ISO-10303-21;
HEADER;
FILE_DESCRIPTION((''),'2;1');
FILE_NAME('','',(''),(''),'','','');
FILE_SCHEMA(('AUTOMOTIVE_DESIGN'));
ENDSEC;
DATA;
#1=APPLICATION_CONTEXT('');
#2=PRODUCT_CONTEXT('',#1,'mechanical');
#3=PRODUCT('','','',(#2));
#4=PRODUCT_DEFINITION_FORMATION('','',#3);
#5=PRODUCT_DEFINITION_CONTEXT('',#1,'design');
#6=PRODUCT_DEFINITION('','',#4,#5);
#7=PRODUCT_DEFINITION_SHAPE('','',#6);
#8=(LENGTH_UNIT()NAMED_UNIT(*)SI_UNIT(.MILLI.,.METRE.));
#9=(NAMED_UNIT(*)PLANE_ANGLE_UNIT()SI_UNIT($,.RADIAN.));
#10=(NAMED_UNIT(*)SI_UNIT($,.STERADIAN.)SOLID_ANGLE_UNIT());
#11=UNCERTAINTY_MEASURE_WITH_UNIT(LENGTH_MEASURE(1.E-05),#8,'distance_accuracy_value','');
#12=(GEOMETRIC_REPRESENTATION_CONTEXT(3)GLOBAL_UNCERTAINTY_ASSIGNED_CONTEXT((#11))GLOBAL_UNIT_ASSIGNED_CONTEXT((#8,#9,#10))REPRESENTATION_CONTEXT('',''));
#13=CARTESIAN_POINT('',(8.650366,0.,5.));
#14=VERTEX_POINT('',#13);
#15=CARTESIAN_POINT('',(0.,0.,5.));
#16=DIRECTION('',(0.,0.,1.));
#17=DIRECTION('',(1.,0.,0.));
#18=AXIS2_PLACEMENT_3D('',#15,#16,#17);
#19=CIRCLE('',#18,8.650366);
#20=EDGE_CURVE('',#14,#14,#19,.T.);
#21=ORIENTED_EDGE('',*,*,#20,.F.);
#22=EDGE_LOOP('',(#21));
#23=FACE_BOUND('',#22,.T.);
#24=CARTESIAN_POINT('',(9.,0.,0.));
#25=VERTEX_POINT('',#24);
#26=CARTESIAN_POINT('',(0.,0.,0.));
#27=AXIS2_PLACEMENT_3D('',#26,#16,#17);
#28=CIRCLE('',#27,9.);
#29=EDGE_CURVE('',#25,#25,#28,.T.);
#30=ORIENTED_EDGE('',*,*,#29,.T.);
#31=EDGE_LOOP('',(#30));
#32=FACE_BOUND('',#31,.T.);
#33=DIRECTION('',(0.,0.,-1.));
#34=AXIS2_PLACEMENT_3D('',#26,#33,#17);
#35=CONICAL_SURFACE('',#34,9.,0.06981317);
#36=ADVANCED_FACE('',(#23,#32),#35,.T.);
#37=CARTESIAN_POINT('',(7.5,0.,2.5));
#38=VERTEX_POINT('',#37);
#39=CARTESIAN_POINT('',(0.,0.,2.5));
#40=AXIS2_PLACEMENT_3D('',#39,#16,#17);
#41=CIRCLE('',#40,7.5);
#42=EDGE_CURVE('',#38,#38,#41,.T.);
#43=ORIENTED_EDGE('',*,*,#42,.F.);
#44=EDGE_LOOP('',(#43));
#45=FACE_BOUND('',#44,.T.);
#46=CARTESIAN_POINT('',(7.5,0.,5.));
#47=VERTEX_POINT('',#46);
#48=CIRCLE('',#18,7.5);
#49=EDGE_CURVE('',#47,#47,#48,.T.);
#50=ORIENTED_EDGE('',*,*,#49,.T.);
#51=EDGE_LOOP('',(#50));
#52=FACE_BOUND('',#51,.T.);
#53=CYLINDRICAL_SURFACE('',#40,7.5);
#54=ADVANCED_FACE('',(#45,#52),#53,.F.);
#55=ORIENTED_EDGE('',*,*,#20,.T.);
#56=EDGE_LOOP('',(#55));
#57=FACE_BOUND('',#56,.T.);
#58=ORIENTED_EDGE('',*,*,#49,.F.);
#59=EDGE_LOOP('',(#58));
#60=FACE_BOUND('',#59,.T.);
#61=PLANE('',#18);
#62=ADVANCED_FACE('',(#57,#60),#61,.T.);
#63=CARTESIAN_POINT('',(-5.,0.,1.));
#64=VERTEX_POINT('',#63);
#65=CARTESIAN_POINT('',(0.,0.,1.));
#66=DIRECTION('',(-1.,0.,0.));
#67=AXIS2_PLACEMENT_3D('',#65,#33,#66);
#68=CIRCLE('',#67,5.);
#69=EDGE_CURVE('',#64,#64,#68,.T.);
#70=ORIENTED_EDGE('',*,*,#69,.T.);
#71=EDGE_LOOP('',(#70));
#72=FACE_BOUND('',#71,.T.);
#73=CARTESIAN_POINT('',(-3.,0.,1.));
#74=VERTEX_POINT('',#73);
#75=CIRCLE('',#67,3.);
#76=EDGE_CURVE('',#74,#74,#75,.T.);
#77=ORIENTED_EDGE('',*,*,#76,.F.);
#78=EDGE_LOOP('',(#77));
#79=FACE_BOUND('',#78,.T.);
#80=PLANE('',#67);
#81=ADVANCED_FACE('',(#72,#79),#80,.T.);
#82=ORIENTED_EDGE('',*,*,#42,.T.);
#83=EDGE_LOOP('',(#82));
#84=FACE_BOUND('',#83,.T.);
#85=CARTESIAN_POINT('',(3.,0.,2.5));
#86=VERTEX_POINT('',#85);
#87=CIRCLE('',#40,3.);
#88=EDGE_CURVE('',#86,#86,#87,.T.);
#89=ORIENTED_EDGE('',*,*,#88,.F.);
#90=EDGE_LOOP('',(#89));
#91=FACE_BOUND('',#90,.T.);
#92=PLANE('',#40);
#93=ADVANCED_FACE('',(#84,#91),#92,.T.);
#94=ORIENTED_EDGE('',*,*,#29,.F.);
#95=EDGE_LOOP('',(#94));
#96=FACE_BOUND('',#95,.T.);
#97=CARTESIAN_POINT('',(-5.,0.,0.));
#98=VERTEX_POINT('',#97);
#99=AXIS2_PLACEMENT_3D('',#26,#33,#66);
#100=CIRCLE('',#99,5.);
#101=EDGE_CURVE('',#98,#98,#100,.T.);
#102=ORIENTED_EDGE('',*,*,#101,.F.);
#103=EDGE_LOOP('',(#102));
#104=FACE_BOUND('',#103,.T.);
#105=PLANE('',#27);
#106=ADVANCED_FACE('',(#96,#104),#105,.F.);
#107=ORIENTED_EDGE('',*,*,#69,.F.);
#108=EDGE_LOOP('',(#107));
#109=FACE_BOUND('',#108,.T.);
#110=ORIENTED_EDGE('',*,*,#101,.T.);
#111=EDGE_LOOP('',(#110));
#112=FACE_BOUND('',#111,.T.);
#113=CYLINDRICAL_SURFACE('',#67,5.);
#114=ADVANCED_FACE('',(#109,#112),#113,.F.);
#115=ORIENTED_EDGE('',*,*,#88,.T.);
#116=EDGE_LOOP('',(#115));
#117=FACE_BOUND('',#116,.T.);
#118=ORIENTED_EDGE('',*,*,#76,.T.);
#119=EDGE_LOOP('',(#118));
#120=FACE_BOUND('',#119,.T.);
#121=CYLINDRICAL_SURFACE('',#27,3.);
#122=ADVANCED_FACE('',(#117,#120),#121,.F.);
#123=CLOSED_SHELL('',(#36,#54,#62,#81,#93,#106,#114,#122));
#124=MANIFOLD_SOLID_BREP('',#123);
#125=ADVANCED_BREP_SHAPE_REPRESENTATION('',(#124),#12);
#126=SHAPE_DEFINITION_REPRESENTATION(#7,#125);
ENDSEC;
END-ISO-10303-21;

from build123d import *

# Parameters (mm, degrees)
SKETCH_1_R               = 9
EXTRUDE_1_DEPTH          = 5
EXTRUDE_1_TAPER          = 4
SKETCH_3_R               = 5
CUT_EXTRUDE_1_DEPTH      = 1
SKETCH_4_R               = 7.5
CUT_EXTRUDE_2_DEPTH      = 2.5
CUT_EXTRUDE_3_DEPTH      = 13.971121771
CUT_EXTRUDE_3_DEPTH_BACK = 13.971121771
SKETCH_5_R               = 3


with BuildPart() as part:
    # Эскиз1 → Бобышка-Вытянуть1 (new body)
    with BuildSketch(Plane.XY):
        Circle(SKETCH_1_R)
    extrude(amount=EXTRUDE_1_DEPTH, taper=EXTRUDE_1_TAPER)

    # Эскиз3 → Вырез-Вытянуть1 (cut)
    with BuildSketch(Plane(origin=(0, 0, 0), x_dir=(-1, 0, 0), z_dir=(0, 0, -1))):
        Circle(SKETCH_3_R)
    extrude(amount=-CUT_EXTRUDE_1_DEPTH, mode=Mode.SUBTRACT)

    # Эскиз4 → Вырез-Вытянуть2 (cut)
    with BuildSketch(Plane.XY.offset(5)):
        Circle(SKETCH_4_R)
    extrude(amount=-CUT_EXTRUDE_2_DEPTH, mode=Mode.SUBTRACT)

    # Эскиз5 → Вырез-Вытянуть3 (cut, two sides: drawn at the far end of the back side and taken through both)
    with BuildSketch(Plane.XY.offset(2.5).offset(-CUT_EXTRUDE_3_DEPTH_BACK)):
        Circle(SKETCH_5_R)
    extrude(amount=CUT_EXTRUDE_3_DEPTH + CUT_EXTRUDE_3_DEPTH_BACK, mode=Mode.SUBTRACT)


solid = part.part
